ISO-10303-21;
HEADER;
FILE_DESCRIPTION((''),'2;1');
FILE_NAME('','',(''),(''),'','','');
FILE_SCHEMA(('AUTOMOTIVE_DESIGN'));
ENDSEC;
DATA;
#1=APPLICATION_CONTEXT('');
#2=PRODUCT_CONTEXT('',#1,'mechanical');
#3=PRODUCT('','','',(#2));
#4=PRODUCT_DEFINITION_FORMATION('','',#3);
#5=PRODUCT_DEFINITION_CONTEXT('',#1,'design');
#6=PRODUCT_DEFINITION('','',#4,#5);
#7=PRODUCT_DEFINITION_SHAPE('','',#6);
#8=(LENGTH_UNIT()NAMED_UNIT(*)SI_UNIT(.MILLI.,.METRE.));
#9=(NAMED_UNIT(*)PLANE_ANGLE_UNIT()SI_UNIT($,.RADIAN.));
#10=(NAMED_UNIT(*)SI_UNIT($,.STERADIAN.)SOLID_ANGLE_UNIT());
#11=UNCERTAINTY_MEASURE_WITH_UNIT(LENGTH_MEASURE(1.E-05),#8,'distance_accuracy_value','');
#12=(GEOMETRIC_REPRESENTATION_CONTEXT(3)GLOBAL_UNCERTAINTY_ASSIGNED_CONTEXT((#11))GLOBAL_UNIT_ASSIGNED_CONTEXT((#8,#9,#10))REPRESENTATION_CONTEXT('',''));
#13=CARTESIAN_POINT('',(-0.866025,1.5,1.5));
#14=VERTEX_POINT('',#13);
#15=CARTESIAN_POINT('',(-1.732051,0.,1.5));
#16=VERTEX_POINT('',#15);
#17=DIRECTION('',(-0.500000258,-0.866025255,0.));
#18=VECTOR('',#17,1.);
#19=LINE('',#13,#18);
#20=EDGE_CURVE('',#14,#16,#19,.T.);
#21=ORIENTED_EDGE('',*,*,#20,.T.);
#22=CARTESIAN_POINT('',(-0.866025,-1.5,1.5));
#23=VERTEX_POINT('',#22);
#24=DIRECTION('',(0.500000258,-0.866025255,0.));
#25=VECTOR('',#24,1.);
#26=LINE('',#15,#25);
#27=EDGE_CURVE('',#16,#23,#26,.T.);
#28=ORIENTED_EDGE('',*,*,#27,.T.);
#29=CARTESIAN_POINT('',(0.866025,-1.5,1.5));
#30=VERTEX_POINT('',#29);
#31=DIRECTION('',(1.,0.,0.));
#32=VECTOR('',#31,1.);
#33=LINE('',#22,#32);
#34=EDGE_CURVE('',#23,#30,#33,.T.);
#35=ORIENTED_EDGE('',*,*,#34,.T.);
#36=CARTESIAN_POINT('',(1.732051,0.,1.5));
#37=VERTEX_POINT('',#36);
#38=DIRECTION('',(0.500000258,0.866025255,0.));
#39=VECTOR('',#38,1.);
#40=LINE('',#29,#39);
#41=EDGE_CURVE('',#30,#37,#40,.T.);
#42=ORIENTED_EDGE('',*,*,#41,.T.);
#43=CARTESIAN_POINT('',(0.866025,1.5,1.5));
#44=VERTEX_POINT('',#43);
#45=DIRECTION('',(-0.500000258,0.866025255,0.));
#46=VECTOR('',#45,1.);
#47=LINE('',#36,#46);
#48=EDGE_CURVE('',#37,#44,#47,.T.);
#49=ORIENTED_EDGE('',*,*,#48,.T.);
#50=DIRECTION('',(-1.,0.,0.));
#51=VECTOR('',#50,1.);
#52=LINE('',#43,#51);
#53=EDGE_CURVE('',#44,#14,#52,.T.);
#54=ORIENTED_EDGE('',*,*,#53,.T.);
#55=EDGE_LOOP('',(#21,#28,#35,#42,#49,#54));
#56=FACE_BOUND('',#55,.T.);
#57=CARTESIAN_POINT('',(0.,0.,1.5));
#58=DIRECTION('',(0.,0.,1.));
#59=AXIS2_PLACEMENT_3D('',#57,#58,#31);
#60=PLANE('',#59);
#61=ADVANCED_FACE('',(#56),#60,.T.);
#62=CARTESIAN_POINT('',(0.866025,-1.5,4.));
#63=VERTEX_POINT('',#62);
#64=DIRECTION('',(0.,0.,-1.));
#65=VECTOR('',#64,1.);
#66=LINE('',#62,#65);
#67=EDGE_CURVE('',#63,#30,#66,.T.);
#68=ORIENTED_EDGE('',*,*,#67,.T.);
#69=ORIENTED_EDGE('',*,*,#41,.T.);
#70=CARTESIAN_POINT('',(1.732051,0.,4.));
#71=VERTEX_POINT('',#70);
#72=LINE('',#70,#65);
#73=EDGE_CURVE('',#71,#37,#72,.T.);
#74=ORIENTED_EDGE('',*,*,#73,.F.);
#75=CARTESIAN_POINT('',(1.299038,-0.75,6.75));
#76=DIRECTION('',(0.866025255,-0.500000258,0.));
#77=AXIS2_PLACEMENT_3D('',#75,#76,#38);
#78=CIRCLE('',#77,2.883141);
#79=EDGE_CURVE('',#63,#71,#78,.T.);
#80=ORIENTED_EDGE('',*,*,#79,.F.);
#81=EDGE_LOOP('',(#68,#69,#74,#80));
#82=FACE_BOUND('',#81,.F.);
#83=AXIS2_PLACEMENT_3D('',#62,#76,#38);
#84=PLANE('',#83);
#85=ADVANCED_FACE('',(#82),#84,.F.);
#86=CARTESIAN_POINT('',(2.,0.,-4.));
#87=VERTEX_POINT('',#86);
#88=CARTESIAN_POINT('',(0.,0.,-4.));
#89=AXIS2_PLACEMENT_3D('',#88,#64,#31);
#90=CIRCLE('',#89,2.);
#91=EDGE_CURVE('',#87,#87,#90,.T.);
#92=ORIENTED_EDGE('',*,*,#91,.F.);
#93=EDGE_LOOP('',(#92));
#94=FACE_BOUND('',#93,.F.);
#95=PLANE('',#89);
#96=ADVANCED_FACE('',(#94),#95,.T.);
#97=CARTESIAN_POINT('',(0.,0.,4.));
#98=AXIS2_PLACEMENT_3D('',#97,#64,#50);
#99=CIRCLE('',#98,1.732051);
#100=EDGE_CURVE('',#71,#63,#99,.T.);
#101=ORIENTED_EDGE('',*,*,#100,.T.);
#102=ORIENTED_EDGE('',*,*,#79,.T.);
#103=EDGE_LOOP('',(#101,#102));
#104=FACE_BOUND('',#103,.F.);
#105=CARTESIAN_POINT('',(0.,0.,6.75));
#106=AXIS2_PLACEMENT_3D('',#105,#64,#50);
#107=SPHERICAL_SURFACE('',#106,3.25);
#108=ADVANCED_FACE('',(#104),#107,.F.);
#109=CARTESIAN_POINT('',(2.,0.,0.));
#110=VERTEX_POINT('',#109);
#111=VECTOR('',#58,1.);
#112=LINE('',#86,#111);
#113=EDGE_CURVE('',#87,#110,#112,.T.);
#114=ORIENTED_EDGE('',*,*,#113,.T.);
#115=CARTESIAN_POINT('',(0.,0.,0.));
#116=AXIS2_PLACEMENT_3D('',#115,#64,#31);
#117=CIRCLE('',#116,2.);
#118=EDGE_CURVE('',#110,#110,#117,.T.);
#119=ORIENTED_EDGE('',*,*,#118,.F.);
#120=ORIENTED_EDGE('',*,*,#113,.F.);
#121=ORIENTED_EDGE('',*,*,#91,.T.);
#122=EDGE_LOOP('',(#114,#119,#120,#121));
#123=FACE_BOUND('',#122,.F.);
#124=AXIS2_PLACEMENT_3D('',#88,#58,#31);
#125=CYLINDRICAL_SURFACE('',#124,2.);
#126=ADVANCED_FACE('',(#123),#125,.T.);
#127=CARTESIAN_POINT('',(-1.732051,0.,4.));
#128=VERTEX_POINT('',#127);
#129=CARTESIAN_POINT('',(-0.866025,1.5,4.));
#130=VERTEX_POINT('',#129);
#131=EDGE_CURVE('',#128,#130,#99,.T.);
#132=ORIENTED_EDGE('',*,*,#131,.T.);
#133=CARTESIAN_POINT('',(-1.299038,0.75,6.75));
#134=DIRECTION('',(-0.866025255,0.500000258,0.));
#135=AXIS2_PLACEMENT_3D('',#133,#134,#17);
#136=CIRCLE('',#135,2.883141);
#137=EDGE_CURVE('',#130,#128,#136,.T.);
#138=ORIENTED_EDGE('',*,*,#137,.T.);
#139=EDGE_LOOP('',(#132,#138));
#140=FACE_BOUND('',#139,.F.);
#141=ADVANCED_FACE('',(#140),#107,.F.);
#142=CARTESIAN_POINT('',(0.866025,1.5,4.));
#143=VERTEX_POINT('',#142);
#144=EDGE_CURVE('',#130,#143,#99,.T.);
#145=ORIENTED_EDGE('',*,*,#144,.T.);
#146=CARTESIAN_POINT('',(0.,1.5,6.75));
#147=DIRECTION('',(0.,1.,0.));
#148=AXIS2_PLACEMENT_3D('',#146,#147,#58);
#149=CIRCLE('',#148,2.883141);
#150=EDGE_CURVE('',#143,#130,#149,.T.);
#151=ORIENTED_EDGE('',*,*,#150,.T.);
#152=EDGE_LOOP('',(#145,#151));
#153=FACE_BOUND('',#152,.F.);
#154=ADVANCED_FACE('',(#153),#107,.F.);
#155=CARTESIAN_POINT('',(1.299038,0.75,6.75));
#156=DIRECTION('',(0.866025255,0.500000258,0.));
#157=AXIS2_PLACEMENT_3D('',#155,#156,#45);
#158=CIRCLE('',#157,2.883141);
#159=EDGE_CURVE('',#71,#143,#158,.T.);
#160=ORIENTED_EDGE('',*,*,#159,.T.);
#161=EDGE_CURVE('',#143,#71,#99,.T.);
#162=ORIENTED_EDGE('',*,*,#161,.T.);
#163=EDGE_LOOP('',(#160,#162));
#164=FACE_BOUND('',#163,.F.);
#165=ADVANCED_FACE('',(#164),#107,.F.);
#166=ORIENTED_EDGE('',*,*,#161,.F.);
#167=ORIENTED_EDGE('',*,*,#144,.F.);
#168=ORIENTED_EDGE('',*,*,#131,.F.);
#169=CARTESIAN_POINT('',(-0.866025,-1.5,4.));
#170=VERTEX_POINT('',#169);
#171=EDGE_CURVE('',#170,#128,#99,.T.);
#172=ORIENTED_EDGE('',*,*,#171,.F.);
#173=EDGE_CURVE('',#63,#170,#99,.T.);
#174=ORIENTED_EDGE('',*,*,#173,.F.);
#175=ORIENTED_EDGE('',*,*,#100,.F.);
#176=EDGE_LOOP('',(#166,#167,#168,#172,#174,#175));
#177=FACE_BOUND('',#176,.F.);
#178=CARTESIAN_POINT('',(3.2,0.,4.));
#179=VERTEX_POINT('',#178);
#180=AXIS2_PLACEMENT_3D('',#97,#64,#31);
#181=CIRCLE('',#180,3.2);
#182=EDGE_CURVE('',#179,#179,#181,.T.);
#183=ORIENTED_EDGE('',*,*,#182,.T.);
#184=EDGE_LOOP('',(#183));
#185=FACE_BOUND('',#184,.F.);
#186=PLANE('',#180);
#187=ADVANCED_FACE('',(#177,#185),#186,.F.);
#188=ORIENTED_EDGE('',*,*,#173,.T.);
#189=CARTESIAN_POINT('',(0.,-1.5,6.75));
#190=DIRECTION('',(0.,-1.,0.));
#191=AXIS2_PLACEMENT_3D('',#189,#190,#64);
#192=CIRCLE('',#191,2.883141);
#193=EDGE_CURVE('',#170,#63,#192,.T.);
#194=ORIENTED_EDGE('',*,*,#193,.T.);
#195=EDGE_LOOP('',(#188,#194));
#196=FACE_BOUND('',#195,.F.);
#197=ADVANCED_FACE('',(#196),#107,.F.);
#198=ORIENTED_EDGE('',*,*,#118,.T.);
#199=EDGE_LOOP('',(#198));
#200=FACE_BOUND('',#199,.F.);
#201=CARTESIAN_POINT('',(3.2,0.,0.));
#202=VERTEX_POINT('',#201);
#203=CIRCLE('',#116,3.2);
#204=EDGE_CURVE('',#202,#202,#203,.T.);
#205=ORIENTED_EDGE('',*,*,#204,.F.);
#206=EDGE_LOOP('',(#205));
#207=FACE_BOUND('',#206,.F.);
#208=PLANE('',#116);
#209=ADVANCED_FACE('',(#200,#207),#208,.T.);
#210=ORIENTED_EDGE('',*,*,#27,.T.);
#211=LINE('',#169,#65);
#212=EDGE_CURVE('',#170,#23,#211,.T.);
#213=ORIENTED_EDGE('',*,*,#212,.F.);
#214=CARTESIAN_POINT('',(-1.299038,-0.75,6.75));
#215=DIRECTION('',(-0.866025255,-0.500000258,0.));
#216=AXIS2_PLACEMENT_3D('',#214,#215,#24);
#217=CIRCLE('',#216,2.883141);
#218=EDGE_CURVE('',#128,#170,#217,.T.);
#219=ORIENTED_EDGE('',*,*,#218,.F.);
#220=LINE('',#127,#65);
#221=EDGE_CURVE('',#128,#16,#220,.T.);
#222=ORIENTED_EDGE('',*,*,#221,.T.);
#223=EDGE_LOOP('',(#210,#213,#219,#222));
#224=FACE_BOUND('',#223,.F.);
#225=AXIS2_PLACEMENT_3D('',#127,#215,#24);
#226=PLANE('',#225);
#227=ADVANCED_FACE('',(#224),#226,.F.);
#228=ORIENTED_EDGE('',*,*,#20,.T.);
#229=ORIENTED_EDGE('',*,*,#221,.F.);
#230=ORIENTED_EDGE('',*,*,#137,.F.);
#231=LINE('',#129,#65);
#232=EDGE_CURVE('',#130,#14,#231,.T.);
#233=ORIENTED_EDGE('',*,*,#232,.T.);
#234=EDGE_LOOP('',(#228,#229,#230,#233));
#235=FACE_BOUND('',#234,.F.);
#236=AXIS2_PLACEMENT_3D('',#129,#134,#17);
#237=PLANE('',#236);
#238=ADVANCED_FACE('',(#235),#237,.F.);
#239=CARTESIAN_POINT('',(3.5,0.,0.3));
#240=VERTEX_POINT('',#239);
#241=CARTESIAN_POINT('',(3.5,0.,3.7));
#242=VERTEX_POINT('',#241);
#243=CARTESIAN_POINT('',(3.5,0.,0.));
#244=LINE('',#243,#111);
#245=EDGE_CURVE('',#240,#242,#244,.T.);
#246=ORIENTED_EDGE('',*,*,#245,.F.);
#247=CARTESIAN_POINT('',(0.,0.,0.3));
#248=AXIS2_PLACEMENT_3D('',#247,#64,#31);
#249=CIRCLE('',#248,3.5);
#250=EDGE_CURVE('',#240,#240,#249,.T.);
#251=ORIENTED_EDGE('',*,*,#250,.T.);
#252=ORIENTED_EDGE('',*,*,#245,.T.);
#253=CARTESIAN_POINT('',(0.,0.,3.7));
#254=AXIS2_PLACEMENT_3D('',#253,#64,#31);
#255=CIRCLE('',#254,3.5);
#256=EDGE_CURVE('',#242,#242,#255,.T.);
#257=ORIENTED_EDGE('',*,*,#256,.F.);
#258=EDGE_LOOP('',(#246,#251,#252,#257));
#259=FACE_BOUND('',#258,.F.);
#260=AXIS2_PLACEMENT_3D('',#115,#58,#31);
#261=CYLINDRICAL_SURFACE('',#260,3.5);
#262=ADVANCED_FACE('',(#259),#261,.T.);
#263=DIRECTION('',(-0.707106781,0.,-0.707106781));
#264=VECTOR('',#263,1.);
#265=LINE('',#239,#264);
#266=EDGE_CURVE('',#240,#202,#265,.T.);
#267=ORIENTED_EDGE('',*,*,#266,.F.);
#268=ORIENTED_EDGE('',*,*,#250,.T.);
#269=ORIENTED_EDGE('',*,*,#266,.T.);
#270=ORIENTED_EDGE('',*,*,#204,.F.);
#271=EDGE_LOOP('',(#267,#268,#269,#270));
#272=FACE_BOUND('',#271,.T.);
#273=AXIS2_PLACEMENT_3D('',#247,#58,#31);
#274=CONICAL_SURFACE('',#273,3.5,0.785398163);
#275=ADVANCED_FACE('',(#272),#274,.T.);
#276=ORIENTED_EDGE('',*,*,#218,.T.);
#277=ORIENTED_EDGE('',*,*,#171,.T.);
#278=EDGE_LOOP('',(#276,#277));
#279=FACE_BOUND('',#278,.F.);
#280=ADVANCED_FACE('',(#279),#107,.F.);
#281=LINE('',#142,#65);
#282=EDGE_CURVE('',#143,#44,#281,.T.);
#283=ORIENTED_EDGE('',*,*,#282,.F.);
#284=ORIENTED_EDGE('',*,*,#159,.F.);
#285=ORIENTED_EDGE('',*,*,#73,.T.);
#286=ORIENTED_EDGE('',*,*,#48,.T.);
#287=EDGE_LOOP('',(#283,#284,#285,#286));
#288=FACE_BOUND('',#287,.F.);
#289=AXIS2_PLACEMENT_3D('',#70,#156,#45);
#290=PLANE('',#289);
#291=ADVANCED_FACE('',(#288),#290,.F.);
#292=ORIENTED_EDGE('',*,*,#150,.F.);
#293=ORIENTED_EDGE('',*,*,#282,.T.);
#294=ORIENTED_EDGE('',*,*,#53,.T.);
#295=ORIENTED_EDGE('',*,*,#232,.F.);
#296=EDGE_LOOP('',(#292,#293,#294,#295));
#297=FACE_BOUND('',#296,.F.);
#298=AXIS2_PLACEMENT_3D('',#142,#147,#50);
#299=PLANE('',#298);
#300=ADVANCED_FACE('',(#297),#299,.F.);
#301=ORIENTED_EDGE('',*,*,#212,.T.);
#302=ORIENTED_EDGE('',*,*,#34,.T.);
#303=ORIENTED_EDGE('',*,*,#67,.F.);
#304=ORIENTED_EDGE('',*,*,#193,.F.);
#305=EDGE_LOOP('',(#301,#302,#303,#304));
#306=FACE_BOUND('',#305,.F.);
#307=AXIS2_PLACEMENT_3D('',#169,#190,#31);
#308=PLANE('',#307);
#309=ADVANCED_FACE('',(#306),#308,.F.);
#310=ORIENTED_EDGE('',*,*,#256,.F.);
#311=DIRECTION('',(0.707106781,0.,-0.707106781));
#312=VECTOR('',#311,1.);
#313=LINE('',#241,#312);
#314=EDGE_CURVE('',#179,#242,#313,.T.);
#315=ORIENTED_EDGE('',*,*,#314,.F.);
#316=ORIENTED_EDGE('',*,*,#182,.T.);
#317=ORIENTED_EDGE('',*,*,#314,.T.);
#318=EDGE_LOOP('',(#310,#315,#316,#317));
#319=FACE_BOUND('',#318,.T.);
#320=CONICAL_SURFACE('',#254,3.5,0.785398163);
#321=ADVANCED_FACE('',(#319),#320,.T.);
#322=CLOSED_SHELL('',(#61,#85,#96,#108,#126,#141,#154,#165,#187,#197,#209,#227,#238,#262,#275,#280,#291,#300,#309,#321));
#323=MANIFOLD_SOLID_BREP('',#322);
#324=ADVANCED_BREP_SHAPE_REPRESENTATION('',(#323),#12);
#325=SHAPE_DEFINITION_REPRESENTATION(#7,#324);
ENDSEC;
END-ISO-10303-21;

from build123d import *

# Parameters (mm, degrees)
F3_DEPTH = 2.5
F6_SIZE  = 0.3


with BuildPart() as f1:
    # F0 (on Front) → F1 (revolve)
    with BuildSketch(Plane.XZ):
        Polygon((3.5, 4), (0, 4), (0, -4), (2, -4), (2, 0), (3.5, 0), align=None)
    revolve(axis=Axis((0, 0, 0), (0, 0, -1)))

    # F2 (on face) → F3 (cut)
    with BuildSketch(Plane.XY.offset(4)):
        Polygon((1.732051, 0), (0.866025, 1.5), (-0.866025, 1.5), (-1.732051, 0), (-0.866025, -1.5), (0.866025, -1.5), align=None)
    extrude(amount=-F3_DEPTH, mode=Mode.SUBTRACT)

    # F4 (on Front) → F5 (revolve, cut)
    with BuildSketch(Plane.XZ):
        with BuildLine():
            Line((0, 3.5), (0, 10))
            ThreePointArc((0, 10), (-3.25, 6.75), (0, 3.5))
        make_face()
    revolve(axis=Axis((0, 0, 3.375), (0, 0, -1)), mode=Mode.SUBTRACT)

    # F6
    f6_edges = [f1.edges().sort_by_distance(p)[0] for p in [
        (-3.5, 0, 4),
        (-3.5, 0, 0),
    ]]
    chamfer(f6_edges, length=F6_SIZE)


solid = f1.part
